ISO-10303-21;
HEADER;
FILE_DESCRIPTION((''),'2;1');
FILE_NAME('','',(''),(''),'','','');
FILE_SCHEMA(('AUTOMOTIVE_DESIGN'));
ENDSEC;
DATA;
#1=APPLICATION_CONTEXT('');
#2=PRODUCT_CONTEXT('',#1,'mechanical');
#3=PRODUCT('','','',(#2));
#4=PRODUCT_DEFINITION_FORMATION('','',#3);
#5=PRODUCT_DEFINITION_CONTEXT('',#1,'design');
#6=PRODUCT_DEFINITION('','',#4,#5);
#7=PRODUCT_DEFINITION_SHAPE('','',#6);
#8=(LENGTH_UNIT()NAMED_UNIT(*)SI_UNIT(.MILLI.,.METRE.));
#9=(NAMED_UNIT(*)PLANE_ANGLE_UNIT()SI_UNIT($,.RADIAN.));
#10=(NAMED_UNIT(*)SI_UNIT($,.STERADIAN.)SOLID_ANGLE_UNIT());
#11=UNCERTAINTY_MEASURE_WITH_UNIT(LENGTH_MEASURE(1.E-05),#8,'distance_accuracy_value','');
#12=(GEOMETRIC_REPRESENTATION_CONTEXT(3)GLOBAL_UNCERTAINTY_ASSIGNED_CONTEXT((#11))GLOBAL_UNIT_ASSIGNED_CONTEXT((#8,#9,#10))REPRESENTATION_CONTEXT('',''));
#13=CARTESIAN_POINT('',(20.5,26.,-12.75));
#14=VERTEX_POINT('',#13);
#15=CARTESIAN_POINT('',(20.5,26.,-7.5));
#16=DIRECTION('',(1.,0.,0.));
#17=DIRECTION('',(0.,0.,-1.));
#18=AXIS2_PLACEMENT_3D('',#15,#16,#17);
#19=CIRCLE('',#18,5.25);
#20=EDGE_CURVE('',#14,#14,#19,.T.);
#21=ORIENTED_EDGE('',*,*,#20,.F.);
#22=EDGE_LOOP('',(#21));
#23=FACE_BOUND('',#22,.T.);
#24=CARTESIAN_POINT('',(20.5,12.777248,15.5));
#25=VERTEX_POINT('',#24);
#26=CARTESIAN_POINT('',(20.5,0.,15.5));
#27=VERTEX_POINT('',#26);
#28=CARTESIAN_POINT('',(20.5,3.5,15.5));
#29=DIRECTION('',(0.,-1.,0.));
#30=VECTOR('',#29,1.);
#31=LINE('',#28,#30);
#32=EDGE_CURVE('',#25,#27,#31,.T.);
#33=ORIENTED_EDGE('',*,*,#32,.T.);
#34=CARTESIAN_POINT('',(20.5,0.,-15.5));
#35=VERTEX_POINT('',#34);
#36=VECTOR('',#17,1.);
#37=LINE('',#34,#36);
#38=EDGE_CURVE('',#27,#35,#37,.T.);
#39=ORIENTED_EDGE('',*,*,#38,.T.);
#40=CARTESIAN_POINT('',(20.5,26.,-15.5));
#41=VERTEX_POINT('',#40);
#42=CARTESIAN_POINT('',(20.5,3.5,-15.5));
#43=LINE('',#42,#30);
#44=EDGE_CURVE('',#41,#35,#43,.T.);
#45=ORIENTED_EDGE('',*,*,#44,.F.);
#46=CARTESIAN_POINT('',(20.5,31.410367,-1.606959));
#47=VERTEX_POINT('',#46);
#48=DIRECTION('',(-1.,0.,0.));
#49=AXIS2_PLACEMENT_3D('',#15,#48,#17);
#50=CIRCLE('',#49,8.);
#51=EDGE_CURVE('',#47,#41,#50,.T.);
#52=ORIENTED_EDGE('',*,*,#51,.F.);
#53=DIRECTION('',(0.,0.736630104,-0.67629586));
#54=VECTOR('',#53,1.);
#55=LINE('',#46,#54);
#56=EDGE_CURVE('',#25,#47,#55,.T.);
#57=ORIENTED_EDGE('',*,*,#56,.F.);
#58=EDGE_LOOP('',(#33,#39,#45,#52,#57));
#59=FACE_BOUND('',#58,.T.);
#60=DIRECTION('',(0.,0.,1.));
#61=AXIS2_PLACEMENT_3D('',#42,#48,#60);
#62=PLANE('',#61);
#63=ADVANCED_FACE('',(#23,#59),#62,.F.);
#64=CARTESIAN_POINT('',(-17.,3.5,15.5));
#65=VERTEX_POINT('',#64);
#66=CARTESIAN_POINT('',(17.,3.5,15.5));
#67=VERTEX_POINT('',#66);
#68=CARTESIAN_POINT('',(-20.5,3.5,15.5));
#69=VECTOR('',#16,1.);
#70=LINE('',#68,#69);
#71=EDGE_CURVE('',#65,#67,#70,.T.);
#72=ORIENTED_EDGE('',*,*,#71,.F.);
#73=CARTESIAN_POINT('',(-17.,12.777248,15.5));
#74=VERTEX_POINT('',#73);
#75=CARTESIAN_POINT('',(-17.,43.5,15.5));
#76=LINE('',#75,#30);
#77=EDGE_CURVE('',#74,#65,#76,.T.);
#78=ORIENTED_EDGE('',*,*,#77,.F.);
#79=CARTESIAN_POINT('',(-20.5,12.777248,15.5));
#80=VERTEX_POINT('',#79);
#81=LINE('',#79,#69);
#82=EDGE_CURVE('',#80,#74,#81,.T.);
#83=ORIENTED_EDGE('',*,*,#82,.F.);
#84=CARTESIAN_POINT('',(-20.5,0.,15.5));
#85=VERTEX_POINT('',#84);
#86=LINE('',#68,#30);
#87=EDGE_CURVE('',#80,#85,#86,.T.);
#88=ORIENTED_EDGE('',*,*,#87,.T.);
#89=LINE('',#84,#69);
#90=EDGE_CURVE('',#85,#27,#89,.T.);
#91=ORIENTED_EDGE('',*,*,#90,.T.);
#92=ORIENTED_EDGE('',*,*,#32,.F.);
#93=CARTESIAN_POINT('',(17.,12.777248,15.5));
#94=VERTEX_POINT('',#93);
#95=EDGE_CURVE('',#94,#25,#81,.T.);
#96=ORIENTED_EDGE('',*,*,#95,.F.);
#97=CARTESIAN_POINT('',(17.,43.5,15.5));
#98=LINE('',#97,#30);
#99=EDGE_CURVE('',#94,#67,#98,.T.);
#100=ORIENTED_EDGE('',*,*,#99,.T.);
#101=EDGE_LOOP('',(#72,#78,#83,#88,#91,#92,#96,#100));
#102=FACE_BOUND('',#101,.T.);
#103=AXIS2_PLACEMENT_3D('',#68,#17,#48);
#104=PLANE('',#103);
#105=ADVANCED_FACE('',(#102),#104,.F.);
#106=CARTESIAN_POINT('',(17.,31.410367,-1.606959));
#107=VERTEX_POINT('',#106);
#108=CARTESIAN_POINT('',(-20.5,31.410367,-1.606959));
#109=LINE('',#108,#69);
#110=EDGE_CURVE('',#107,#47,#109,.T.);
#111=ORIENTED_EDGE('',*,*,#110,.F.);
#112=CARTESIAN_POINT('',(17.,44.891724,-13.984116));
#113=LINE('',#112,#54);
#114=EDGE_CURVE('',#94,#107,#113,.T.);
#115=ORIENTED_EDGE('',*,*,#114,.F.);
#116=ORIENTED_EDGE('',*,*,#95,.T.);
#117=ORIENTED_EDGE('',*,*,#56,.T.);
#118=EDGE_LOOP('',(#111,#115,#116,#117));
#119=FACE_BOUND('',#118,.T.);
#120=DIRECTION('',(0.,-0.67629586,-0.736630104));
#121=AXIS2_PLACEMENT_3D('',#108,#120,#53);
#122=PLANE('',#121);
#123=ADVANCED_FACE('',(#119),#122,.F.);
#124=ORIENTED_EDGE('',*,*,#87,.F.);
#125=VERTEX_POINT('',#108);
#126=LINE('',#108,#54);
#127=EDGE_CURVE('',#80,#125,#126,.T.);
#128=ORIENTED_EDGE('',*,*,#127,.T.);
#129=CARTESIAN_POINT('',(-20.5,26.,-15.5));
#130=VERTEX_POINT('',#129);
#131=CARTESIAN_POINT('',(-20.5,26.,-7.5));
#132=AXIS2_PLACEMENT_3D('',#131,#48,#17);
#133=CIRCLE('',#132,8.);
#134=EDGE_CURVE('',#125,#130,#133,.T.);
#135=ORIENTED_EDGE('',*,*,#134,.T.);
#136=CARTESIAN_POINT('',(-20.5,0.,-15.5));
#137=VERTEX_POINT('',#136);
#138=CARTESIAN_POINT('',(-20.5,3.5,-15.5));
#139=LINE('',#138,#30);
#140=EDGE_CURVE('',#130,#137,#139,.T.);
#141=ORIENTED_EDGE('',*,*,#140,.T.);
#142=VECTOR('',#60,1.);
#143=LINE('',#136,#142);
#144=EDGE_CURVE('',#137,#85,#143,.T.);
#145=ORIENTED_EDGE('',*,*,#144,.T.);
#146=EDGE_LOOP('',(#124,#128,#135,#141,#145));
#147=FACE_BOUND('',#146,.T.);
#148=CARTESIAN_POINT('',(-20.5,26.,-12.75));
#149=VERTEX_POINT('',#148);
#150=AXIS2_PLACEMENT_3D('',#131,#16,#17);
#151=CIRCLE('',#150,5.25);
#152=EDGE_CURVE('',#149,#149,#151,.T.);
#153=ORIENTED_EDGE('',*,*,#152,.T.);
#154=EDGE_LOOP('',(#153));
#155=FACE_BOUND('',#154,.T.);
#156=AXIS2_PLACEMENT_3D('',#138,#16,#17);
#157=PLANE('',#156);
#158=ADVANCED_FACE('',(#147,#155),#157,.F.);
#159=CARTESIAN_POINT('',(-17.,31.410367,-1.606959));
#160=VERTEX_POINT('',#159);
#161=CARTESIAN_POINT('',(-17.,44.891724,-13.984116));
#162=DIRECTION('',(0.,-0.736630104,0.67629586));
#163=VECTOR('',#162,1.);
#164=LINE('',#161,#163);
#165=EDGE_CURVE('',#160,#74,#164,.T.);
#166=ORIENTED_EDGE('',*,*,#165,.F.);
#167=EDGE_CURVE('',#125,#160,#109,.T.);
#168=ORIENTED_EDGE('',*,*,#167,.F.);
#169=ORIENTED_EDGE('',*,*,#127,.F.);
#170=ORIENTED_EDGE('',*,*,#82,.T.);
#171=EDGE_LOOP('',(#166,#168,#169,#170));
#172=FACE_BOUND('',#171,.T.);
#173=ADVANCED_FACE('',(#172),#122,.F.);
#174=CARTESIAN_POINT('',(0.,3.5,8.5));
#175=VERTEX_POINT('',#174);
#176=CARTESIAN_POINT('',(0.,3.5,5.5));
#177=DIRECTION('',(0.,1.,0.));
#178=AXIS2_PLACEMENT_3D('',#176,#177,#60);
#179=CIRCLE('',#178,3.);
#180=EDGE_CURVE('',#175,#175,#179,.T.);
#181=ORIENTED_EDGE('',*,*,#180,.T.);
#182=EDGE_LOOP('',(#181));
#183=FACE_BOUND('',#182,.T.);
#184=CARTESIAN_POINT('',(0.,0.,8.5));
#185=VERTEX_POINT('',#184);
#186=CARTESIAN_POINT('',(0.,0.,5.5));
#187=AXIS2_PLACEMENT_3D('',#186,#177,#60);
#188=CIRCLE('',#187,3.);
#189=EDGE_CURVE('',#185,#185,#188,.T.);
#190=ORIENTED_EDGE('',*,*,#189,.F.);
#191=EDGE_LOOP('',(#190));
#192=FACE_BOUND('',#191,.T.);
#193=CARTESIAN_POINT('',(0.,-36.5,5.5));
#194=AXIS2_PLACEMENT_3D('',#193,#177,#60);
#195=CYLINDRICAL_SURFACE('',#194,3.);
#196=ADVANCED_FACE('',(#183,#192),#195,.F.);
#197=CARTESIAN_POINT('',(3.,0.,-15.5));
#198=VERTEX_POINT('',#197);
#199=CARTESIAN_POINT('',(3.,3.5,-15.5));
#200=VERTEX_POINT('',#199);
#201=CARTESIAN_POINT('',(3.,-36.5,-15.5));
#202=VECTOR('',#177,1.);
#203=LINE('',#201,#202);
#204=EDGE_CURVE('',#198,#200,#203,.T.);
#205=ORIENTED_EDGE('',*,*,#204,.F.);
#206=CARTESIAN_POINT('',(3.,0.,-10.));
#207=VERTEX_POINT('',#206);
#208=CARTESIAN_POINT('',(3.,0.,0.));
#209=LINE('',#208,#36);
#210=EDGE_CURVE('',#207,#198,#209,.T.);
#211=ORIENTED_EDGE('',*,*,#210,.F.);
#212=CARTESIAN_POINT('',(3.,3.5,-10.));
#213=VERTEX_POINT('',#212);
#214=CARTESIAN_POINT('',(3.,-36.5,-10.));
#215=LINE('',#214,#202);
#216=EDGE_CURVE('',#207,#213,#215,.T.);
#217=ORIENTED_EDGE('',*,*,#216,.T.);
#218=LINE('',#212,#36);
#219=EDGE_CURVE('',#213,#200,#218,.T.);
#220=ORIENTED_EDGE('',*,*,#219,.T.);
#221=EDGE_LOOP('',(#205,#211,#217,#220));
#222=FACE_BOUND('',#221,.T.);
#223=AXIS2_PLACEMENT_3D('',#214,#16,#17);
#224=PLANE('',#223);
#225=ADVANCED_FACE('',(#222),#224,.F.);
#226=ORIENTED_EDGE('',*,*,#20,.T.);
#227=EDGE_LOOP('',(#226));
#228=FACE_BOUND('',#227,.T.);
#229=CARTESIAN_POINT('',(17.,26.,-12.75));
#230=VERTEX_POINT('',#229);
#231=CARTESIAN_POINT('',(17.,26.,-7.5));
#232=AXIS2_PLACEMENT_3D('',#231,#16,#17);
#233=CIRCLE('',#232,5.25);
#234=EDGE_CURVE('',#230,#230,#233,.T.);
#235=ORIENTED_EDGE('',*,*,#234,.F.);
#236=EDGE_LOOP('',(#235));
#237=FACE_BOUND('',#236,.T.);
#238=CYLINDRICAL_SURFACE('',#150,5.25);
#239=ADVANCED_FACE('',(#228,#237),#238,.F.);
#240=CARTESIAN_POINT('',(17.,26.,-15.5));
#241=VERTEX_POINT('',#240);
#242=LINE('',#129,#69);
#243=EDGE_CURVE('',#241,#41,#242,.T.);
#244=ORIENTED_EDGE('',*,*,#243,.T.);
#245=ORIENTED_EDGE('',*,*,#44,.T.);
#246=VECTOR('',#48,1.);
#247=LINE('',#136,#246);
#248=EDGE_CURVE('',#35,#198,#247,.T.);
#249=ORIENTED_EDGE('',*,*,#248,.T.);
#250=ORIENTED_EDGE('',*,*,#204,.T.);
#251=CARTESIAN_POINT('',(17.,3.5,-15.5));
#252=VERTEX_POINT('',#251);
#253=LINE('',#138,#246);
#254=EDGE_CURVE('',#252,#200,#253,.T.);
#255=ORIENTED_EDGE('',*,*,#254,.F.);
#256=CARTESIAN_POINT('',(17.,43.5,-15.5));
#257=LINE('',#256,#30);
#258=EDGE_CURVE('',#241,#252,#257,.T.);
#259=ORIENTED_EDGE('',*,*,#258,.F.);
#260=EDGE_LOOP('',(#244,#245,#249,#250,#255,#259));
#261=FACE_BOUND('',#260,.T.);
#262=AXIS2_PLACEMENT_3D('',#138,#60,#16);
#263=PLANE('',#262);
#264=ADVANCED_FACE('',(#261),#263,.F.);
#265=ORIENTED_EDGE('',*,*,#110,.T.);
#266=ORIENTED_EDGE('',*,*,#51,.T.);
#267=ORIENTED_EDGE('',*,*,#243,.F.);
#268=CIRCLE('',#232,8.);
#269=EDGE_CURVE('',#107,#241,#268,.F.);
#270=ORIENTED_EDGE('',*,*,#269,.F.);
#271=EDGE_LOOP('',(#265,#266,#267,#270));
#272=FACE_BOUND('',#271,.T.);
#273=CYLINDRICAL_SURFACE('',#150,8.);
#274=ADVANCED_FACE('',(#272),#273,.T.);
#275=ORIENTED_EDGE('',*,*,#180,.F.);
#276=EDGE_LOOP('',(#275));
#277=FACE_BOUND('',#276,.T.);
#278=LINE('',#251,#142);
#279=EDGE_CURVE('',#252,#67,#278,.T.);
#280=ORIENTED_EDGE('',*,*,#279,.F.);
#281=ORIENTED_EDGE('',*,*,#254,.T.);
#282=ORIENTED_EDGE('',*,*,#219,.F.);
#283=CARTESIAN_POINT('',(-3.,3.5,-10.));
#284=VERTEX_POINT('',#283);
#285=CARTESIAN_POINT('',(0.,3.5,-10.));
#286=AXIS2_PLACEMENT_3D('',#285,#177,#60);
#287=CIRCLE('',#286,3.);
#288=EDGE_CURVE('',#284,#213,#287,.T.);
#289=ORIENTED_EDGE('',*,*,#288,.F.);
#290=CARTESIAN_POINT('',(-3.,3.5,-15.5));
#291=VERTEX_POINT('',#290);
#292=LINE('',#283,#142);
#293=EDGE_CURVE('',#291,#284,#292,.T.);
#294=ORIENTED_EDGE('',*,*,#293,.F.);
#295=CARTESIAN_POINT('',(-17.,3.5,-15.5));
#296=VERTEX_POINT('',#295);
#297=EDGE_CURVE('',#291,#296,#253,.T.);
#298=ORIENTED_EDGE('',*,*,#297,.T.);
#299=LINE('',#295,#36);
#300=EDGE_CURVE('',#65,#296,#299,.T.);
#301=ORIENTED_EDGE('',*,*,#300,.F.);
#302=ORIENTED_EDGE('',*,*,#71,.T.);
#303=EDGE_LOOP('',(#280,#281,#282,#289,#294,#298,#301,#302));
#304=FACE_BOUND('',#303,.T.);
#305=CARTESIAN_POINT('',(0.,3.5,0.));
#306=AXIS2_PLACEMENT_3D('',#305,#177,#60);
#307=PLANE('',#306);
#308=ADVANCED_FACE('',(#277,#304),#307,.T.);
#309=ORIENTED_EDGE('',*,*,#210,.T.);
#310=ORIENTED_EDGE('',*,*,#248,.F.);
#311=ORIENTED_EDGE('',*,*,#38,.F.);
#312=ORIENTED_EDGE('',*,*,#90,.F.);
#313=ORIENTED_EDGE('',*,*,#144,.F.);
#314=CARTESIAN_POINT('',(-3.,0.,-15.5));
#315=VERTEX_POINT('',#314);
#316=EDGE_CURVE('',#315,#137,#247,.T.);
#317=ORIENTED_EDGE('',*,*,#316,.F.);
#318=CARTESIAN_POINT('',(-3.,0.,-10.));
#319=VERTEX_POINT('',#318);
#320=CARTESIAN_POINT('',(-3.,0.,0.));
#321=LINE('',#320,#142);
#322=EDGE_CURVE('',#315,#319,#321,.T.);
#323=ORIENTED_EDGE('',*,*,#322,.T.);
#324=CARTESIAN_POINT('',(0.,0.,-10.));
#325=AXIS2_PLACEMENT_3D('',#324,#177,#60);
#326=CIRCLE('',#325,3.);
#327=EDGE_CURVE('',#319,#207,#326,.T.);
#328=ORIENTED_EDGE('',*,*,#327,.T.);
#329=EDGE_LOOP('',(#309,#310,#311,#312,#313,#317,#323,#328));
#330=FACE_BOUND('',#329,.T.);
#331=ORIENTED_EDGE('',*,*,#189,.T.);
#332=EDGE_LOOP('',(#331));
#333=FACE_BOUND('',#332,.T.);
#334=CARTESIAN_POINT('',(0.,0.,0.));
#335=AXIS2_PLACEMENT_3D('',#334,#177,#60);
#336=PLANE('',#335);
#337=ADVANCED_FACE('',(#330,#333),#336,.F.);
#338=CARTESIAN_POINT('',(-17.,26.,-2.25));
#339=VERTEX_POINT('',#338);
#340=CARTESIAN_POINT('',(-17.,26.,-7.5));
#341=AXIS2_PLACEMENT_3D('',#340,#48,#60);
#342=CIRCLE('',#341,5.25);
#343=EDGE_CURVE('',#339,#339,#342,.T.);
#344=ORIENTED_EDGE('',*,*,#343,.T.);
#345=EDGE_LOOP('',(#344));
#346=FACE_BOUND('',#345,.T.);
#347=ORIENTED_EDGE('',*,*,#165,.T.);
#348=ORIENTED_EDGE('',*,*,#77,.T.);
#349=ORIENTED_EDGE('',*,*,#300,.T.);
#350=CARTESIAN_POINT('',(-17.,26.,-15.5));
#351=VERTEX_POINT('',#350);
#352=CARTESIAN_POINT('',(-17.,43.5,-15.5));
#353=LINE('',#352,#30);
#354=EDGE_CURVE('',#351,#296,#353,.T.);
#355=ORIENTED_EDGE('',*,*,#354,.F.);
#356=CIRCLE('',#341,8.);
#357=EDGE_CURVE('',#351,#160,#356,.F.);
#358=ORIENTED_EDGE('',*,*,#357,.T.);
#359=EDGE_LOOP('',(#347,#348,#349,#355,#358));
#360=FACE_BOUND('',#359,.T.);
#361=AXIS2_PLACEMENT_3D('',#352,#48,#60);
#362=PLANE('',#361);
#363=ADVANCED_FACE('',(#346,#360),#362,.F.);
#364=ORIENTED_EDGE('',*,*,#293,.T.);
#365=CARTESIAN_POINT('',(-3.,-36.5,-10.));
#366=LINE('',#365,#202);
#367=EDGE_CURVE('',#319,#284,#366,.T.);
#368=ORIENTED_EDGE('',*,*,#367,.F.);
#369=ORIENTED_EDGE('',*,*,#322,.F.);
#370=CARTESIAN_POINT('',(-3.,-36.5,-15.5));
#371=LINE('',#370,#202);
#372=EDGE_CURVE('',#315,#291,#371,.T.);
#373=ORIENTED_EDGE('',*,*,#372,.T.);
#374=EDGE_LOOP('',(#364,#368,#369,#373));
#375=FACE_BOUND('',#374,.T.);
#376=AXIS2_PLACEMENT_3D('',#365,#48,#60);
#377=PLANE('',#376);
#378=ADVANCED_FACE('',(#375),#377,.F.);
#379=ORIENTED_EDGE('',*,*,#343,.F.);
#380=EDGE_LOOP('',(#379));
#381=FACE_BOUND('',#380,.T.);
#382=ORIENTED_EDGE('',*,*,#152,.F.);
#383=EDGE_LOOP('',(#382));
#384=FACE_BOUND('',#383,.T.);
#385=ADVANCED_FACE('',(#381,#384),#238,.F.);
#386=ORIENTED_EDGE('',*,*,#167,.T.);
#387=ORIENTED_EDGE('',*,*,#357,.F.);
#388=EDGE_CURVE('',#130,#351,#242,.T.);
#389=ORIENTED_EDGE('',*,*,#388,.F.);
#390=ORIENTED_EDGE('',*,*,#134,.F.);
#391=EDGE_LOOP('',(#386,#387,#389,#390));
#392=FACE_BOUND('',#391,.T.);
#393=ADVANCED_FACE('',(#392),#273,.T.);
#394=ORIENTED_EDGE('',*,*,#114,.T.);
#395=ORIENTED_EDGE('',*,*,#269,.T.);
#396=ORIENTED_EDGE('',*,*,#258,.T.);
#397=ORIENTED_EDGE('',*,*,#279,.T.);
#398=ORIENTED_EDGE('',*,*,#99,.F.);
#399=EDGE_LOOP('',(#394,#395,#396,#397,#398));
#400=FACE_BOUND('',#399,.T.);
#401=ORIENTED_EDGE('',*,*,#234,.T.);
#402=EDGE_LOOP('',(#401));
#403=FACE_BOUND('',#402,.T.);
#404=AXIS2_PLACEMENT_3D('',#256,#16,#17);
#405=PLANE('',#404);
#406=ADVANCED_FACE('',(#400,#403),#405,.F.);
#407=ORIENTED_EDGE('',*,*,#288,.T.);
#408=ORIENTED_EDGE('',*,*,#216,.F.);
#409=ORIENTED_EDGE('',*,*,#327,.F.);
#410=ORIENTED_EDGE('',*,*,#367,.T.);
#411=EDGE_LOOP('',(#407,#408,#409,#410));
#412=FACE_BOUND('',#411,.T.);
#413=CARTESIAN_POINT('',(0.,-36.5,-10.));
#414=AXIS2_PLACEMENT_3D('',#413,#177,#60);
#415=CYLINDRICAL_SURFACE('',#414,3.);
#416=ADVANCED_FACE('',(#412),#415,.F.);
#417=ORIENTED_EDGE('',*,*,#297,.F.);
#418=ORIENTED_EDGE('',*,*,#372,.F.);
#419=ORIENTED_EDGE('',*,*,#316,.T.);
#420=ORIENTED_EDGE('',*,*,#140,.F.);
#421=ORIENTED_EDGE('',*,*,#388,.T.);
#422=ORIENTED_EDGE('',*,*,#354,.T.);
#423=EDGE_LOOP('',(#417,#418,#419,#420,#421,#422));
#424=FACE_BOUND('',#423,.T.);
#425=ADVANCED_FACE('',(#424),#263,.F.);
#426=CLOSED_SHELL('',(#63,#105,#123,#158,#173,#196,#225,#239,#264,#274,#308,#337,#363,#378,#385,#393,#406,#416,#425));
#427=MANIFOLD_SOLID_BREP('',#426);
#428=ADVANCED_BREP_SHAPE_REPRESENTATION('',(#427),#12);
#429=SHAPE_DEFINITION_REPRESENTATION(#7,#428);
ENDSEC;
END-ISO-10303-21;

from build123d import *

# Parameters (mm, degrees)
SKETCH_1_W          = 41
SKETCH_1_H          = 31
EXTRUDE_1_DEPTH     = 3.5
SKETCH_2_W          = 3.5
SKETCH_2_H          = 31
EXTRUDE_2_DEPTH     = 40
SKETCH_3_R          = 5.25
CUT_EXTRUDE_2_DEPTH = 62.753542409
SKETCH_4_R          = 3
CUT_EXTRUDE_3_DEPTH = 40


with BuildPart() as part:
    # 草图1 → 凸台-拉伸1 (new body)
    with BuildSketch(Plane(origin=(0, 0, 0), x_dir=(1, 0, 0), z_dir=(0, 1, 0))):
        Rectangle(SKETCH_1_W, SKETCH_1_H)
    extrude(amount=EXTRUDE_1_DEPTH)

    # 草图2 → 凸台-拉伸2 (add)
    with BuildSketch(Plane(origin=(0, 3.5, 0), x_dir=(1, 0, 0), z_dir=(0, 1, 0))):
        with Locations((-18.75, 0)):
            Rectangle(SKETCH_2_W, SKETCH_2_H)
        with Locations((18.75, 0)):
            Rectangle(SKETCH_2_W, SKETCH_2_H)
    extrude(amount=EXTRUDE_2_DEPTH)

    # 草图3 → 切除-拉伸2 (cut, through all)
    with BuildSketch(Plane(origin=(20.5, 0, 0), x_dir=(0, 0, -1), z_dir=(1, 0, 0))):
        with Locations((7.5, 26)):
            Circle(SKETCH_3_R)
        with BuildLine():
            Line((1.60695917, 31.41036688), (-15.5, 12.77724807))
            Line((-15.5, 12.77724807), (-15.5, 43.5))
            Line((-15.5, 43.5), (15.5, 43.5))
            Line((15.5, 43.5), (15.5, 26))
            ThreePointArc((15.5, 26), (10.403073661, 33.454673925), (1.60695917, 31.41036688))
        make_face()
    extrude(amount=-CUT_EXTRUDE_2_DEPTH, mode=Mode.SUBTRACT)

    # 草图4 → 切除-拉伸3 (cut)
    with BuildSketch(Plane(origin=(0, 3.5, 0), x_dir=(1, 0, 0), z_dir=(0, 1, 0))):
        with Locations(Location((0, -5.5, 0), (0, 0, 270))):
            Circle(SKETCH_4_R)
        with BuildLine():
            Line((-3, 10), (-3, 15.5))
            Line((-3, 15.5), (3, 15.5))
            Line((3, 15.5), (3, 10))
            ThreePointArc((3, 10), (0, 7), (-3, 10))
        make_face()
    extrude(amount=-CUT_EXTRUDE_3_DEPTH, mode=Mode.SUBTRACT)


solid = part.part
